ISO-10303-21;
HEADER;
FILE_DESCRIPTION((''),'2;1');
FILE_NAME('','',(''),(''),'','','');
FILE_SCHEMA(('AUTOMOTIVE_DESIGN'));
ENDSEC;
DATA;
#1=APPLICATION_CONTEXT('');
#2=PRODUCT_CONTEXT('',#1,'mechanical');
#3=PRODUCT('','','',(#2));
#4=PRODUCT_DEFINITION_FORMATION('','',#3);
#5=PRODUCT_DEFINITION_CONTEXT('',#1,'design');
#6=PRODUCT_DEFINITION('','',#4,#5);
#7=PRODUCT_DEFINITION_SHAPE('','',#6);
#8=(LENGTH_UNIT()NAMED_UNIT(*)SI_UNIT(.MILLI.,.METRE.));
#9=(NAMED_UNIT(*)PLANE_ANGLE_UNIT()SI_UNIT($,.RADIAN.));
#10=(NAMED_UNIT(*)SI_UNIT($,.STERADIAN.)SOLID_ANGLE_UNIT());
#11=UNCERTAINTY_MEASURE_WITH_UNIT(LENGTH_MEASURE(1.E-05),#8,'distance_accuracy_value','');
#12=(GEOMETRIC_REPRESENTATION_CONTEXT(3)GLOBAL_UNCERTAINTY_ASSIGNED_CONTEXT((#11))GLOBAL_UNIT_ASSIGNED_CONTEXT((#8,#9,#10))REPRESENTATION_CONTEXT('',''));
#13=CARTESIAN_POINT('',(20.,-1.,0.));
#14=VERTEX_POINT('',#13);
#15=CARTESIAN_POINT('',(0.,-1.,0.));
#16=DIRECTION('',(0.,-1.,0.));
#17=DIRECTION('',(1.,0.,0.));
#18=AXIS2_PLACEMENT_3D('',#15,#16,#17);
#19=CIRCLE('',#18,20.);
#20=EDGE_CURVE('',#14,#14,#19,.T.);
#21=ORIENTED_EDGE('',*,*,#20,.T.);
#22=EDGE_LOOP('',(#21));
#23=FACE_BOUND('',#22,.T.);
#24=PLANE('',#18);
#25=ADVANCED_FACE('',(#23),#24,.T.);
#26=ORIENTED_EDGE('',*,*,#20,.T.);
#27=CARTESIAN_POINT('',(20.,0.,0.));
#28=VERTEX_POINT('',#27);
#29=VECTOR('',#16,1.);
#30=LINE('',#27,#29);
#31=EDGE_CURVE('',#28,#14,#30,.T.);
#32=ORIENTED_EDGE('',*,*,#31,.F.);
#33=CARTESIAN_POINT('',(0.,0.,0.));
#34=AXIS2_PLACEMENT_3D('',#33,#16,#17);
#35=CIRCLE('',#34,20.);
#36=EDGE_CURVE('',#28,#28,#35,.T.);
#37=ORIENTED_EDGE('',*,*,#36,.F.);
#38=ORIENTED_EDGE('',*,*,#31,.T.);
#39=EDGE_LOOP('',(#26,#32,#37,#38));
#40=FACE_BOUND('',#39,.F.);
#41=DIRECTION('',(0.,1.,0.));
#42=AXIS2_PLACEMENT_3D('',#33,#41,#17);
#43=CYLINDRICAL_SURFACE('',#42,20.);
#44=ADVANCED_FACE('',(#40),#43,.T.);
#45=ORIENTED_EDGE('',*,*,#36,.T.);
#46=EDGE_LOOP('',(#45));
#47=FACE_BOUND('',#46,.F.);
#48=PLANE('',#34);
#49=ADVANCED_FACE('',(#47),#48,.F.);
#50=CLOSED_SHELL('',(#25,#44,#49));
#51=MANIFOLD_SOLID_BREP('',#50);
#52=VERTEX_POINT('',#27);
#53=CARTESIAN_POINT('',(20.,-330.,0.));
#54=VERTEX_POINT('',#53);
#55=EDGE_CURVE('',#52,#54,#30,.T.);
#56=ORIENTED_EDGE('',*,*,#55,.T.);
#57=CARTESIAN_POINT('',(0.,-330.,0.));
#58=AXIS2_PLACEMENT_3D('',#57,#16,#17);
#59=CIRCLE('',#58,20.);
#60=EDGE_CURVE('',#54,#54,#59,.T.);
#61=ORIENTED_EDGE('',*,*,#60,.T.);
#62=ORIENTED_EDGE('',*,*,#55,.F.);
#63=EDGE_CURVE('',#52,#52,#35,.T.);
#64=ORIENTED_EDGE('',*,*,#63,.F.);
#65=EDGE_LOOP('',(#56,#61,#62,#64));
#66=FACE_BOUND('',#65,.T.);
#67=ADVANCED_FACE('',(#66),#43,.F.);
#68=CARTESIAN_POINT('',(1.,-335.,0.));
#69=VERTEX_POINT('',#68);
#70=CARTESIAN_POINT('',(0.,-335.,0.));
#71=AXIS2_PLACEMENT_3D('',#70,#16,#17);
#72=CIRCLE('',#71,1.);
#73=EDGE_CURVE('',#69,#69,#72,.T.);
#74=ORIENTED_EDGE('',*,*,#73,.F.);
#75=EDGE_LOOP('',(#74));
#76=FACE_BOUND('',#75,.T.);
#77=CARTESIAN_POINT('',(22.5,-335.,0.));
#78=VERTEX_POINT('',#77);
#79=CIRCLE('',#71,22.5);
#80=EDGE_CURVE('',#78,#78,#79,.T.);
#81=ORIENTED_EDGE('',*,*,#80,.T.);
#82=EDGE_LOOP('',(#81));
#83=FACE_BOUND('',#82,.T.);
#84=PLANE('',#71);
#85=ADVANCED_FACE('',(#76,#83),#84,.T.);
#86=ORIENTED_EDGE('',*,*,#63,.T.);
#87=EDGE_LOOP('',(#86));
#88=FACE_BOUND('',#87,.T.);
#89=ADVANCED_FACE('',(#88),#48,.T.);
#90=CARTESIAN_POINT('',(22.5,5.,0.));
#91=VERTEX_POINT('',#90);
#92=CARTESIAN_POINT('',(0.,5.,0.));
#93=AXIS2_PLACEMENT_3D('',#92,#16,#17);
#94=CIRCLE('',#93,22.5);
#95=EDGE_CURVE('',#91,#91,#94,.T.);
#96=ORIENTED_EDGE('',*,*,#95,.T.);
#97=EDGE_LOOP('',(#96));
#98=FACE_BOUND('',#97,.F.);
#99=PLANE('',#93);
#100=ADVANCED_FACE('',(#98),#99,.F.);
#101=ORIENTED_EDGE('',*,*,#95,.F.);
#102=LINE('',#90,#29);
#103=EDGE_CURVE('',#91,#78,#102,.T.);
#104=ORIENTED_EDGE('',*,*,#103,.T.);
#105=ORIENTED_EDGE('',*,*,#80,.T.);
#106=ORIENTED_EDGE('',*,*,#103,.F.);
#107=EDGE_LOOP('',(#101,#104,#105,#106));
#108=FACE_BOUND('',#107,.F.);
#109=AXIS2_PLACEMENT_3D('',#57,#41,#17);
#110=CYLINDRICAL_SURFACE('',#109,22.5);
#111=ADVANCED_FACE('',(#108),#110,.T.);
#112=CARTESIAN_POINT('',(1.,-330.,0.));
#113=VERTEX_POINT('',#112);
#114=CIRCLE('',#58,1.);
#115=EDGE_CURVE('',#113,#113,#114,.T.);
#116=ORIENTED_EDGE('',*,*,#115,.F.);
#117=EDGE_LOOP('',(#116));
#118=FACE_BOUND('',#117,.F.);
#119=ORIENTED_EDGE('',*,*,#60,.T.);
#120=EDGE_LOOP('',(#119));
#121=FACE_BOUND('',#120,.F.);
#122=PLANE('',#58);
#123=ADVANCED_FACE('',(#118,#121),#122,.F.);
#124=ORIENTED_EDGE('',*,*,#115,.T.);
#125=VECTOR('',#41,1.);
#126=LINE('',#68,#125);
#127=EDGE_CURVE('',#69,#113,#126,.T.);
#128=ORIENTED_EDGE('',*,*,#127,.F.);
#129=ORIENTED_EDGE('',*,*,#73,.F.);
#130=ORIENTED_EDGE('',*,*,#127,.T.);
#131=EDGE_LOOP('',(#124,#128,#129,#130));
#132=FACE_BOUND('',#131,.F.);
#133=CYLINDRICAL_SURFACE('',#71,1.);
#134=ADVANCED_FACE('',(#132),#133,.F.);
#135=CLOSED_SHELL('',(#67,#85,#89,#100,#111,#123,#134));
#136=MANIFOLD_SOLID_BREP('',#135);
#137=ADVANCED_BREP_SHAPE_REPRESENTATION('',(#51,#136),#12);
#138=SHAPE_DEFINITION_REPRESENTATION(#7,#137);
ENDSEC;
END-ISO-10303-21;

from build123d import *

# Parameters (mm, degrees)
F0_R     = 22.5
F0_R_2   = 20
F1_DEPTH = 330
F2_R     = 22.5
F3_DEPTH = 5
F4_R     = 22.5
F5_DEPTH = 5
F0_R_3   = 0.75
F7_DEPTH = 1
F6_R     = 1
F8_DEPTH = 25


with BuildPart() as f1:
    # F0 (on Front) → F1 (new body)
    with BuildSketch(Plane.XZ):
        Circle(F0_R)
        Circle(F0_R_2, mode=Mode.SUBTRACT)
    extrude(amount=F1_DEPTH)

    # F2 (on Front) → F3 (join)
    with BuildSketch(Plane.XZ):
        Circle(F2_R)
    extrude(amount=-F3_DEPTH)

    # F4 (on face) → F5 (join)
    with BuildSketch(Plane.XZ.offset(330)):
        Circle(F4_R)
    extrude(amount=F5_DEPTH)

    # F6 (on face) → F8 (cut)
    with BuildSketch(Plane.XZ.offset(335)):
        Circle(F6_R)
    extrude(amount=-F8_DEPTH, mode=Mode.SUBTRACT)


with BuildPart() as f7:
    # F0 (on Front) → F7 (new body)
    with BuildSketch(Plane.XZ):
        Circle(F0_R_2)
        Circle(F0_R_3, mode=Mode.SUBTRACT)
        Circle(F0_R_3)
    extrude(amount=F7_DEPTH)


solid = Compound([f1.part, f7.part])
